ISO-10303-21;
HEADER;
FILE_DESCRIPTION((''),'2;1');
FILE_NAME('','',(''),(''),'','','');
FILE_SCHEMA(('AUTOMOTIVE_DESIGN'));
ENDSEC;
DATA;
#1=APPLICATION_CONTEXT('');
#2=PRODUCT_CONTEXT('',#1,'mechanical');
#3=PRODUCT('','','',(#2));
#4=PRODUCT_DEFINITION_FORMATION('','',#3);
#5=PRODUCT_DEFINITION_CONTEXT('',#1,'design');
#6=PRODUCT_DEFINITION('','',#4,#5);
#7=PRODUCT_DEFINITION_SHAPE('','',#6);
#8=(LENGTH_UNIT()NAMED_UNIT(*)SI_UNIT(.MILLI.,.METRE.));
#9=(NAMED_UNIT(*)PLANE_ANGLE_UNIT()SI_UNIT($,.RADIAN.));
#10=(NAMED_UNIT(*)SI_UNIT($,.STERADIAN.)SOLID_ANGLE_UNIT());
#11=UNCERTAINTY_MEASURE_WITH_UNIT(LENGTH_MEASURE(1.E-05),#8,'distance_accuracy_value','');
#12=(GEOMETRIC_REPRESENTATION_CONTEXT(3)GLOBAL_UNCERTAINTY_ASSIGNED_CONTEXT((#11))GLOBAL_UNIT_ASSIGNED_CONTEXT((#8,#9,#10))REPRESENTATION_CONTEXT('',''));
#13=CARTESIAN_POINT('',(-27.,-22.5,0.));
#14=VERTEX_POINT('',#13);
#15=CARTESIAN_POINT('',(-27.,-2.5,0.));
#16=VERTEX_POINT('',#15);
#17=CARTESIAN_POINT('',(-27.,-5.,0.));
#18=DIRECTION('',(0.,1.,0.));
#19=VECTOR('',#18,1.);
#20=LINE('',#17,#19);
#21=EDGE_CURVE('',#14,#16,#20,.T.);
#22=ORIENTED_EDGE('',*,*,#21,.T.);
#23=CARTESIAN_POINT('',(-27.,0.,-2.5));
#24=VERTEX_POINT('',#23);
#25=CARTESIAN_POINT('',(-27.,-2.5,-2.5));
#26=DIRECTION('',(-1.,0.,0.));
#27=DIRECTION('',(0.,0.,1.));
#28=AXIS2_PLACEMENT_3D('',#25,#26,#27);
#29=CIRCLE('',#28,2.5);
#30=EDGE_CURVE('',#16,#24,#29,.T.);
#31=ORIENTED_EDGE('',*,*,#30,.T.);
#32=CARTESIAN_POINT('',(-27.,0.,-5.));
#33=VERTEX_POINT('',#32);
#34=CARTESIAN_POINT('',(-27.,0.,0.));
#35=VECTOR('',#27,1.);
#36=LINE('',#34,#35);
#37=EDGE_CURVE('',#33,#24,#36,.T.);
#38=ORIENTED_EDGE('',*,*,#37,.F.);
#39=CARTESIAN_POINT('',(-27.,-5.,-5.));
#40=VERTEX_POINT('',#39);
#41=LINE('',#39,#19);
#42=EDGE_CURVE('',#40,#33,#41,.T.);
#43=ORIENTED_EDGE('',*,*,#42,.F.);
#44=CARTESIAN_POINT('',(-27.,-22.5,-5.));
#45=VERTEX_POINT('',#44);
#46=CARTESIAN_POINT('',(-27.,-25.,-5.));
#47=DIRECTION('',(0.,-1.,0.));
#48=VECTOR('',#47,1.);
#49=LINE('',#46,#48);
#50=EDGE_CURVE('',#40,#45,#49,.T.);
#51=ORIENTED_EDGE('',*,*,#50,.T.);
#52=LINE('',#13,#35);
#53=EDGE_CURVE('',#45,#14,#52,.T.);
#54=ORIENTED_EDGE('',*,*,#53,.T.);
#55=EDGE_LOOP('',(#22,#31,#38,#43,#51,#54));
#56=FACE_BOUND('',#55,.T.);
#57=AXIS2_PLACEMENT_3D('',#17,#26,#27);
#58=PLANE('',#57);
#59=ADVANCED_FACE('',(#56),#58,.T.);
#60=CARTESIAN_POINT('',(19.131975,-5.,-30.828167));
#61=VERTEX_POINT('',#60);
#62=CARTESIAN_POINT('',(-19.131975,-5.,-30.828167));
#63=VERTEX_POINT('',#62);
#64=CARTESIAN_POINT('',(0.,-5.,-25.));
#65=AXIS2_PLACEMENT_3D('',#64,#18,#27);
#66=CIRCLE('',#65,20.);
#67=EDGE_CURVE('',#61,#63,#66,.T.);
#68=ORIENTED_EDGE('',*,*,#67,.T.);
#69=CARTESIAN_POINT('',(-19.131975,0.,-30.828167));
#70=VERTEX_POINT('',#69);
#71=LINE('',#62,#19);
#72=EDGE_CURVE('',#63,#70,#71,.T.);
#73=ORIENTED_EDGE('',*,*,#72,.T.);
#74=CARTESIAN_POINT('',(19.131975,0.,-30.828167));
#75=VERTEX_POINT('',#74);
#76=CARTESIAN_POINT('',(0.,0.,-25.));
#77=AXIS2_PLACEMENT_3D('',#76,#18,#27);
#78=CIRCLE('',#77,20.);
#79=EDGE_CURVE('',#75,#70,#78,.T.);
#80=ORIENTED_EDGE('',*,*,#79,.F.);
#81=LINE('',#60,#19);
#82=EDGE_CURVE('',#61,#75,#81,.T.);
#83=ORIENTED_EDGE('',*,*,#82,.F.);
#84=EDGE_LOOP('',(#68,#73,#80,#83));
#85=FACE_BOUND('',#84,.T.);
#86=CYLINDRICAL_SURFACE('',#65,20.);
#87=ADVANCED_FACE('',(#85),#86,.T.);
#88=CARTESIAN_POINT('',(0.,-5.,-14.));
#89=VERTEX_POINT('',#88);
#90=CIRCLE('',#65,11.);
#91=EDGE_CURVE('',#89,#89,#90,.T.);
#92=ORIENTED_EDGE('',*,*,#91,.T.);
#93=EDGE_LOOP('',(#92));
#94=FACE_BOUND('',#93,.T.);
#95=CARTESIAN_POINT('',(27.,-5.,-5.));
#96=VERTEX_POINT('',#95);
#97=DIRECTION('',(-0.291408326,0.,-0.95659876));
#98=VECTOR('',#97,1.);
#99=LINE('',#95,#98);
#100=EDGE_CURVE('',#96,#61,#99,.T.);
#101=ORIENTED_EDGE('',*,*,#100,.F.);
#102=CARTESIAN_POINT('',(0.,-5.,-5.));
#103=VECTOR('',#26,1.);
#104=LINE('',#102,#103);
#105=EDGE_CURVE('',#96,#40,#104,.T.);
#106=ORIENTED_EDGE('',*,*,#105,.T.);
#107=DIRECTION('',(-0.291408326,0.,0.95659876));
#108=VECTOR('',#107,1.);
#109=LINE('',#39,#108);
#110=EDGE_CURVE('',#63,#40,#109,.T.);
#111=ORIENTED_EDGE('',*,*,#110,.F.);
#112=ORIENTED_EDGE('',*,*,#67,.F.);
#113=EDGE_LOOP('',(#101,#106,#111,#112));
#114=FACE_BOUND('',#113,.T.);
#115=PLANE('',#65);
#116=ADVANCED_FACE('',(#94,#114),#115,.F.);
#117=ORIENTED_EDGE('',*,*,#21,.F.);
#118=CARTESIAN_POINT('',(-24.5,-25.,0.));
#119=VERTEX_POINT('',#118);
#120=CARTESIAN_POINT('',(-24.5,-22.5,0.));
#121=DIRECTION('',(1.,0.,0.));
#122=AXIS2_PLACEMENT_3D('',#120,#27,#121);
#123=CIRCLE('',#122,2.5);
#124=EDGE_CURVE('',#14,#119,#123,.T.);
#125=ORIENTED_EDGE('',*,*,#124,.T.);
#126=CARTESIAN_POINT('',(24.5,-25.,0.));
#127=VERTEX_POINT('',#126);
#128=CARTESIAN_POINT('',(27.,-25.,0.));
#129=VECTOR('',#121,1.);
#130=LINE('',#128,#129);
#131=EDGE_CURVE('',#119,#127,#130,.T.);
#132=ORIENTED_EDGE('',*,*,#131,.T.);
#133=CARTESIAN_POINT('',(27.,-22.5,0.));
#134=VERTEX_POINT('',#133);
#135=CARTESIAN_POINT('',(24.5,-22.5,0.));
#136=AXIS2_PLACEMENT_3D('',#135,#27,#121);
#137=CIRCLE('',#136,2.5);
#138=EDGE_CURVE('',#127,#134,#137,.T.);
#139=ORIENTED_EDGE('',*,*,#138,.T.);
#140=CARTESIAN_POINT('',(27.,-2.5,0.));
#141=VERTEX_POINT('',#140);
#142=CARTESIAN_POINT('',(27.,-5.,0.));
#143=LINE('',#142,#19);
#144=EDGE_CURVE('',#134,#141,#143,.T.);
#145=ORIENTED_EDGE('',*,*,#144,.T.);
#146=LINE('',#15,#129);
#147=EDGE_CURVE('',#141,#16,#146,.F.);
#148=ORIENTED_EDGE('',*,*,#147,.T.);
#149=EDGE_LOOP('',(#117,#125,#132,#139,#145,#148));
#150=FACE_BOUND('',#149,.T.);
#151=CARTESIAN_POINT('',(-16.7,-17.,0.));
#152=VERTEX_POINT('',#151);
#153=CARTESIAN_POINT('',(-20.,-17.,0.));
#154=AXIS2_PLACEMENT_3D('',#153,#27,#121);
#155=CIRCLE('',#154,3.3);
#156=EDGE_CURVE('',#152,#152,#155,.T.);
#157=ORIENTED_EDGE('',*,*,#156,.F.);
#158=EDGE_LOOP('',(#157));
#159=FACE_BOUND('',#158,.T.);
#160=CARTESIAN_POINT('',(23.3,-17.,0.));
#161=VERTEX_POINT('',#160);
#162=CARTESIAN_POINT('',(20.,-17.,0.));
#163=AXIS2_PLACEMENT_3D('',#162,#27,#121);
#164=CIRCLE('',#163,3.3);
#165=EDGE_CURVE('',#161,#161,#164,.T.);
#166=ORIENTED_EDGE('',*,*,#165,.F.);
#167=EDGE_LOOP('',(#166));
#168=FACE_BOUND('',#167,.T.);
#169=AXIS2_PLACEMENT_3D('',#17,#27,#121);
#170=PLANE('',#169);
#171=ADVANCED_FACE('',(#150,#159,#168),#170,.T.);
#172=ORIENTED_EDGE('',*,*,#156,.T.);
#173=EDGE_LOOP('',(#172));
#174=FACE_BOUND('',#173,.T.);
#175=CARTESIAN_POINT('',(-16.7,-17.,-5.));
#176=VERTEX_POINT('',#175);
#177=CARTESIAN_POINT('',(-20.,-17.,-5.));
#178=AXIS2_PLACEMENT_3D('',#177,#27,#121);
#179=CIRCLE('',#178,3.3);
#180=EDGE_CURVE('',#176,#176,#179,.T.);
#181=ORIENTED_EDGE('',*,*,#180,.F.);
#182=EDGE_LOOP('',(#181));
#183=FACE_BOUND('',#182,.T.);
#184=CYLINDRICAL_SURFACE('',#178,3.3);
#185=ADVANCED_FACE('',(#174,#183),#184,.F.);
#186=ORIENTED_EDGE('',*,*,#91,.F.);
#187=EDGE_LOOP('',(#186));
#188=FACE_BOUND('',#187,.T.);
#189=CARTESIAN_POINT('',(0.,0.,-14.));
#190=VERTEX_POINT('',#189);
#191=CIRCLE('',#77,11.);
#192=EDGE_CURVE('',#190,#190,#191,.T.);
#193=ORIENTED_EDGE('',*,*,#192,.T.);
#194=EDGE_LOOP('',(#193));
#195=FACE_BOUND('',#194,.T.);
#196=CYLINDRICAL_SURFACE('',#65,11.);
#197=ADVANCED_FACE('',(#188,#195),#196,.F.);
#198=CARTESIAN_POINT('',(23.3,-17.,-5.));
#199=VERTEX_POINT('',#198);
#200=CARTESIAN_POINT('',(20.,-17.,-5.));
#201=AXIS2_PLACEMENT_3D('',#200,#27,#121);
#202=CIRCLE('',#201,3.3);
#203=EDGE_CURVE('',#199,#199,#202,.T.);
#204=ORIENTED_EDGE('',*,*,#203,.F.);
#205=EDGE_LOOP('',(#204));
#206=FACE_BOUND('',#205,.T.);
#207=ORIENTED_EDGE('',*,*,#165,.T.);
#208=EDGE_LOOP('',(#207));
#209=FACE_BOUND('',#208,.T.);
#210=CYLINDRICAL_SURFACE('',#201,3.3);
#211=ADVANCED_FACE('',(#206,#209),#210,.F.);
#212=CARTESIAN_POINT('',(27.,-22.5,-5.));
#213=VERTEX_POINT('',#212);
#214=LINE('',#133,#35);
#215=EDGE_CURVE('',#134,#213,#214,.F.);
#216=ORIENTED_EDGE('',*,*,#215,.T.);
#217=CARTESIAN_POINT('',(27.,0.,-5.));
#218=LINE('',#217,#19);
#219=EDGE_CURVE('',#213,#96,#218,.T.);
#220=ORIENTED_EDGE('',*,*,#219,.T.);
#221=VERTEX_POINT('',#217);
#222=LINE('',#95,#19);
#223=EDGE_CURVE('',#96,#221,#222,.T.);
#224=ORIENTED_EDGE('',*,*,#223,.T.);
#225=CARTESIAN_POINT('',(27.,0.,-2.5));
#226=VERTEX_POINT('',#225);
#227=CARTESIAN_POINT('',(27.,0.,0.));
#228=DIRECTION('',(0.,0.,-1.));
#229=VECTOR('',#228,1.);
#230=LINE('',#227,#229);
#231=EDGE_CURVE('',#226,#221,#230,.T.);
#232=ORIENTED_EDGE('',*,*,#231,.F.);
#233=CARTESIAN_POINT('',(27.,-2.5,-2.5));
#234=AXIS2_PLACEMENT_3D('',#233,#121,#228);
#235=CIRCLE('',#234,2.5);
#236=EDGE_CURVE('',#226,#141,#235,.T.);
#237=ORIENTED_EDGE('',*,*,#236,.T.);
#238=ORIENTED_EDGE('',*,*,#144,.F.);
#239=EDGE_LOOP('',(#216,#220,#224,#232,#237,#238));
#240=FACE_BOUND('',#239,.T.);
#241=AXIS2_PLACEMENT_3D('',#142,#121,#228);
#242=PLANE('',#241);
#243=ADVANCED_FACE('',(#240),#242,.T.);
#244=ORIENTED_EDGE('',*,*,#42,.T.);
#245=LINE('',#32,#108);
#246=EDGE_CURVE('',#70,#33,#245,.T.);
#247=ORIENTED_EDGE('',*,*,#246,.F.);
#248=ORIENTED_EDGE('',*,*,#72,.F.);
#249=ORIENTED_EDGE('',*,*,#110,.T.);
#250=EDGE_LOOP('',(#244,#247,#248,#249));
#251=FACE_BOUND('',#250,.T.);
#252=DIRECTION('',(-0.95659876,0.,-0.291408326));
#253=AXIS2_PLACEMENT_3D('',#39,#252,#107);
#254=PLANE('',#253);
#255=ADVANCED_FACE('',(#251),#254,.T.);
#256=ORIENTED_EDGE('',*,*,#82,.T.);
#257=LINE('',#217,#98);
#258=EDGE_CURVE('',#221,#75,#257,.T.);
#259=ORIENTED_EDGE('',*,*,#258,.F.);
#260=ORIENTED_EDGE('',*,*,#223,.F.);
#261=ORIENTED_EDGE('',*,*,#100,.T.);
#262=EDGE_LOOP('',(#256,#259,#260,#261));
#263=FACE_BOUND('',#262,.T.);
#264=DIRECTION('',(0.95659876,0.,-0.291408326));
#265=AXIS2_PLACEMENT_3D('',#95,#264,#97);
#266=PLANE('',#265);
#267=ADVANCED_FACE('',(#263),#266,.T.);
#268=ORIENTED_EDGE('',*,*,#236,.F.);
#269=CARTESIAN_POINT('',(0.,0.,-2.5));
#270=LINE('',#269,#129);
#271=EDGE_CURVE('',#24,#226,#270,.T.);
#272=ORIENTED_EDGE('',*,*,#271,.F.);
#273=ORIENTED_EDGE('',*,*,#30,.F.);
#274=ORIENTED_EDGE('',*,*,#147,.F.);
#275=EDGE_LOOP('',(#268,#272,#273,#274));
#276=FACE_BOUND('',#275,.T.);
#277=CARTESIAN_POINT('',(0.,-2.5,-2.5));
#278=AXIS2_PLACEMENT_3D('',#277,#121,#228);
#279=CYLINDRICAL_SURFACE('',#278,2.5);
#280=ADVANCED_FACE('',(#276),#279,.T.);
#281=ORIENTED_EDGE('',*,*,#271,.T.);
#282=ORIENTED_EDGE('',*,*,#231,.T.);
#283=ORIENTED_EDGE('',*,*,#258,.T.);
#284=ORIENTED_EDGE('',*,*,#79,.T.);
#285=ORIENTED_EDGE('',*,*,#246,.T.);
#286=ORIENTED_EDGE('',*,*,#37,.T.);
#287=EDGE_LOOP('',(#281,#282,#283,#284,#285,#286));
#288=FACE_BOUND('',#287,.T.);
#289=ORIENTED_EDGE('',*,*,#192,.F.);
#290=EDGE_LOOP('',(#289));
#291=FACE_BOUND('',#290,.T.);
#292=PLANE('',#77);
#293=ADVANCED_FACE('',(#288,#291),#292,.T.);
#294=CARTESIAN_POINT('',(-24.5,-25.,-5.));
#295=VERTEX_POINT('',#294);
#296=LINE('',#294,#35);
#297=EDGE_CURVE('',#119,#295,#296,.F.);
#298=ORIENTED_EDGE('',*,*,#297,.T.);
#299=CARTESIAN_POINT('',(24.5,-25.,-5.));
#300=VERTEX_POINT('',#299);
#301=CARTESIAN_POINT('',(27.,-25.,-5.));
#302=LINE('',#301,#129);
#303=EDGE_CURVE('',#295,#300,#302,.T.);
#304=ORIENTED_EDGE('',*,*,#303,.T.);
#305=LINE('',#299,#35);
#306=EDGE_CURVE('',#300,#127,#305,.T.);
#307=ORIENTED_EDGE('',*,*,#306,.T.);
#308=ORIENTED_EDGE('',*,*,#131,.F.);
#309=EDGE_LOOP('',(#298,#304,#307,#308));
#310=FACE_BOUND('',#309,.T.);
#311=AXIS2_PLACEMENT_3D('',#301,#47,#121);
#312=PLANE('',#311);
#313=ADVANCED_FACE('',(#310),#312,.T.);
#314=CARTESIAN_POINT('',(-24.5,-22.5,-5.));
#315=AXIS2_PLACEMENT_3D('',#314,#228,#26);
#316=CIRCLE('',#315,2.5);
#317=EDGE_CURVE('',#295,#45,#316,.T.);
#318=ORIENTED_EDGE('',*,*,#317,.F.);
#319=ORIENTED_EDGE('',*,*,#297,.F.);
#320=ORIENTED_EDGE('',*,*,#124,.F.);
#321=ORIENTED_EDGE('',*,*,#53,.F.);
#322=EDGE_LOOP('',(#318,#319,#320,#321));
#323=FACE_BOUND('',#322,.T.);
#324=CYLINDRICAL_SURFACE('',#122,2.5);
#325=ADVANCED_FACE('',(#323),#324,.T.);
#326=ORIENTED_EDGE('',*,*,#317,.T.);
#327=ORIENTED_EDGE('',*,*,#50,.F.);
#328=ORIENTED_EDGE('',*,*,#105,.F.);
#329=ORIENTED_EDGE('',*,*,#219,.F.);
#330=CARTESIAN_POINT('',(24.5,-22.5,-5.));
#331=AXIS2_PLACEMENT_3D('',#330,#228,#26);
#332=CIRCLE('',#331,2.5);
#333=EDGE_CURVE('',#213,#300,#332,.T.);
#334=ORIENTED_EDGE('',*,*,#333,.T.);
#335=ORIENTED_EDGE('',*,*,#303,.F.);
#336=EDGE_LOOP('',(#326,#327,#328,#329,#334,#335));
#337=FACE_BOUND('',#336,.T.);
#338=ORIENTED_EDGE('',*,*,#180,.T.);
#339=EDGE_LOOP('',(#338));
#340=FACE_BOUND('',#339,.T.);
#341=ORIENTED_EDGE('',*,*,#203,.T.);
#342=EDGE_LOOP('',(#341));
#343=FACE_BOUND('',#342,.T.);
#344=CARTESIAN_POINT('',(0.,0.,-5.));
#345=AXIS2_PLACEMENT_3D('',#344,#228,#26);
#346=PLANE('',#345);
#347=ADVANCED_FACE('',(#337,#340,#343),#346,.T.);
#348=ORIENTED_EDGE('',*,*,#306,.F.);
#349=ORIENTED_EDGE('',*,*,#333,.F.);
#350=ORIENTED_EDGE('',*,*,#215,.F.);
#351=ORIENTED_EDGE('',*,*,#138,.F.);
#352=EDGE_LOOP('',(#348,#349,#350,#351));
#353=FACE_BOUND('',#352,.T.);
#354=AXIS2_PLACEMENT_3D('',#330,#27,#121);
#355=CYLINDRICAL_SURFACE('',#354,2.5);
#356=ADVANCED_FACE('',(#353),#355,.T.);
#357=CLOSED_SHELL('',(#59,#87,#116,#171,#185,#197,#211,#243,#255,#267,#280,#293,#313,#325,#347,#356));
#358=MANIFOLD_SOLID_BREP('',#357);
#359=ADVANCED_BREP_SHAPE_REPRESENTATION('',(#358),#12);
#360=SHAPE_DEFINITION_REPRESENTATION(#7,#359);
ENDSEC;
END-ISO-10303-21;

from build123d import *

# Parameters (mm, degrees)
CROQUIS1_R              = 11
SALIENTE_EXTRUIR1_DEPTH = 5
CROQUIS2_W              = 54
CROQUIS2_H              = 25
CROQUIS2_R              = 3.3
SALIENTE_EXTRUIR2_DEPTH = 5
REDONDEO1_R             = 2.5
REDONDEO2_R             = 2.5


with BuildPart() as part:
    # Croquis1 → Saliente-Extruir1 (new body)
    with BuildSketch(Plane(origin=(0, 0, 0), x_dir=(1, 0, 0), z_dir=(0, 1, 0))):
        with BuildLine():
            Line((-27, 0), (27, 0))
            Line((27, 0), (27, 5))
            Line((27, 5), (19.131975199, 30.828166519))
            ThreePointArc((19.131975199, 30.828166519), (0, 45), (-19.131975199, 30.828166519))
            Line((-19.131975199, 30.828166519), (-27, 5))
            Line((-27, 5), (-27, 0))
        make_face()
        with Locations(Location((0, 25, 0), (0, 0, 270))):
            Circle(CROQUIS1_R, mode=Mode.SUBTRACT)
    extrude(amount=-SALIENTE_EXTRUIR1_DEPTH)

    # Croquis2 → Saliente-Extruir2 (add)
    with BuildSketch(Plane.XY):
        with Locations((0, -12.5)):
            Rectangle(CROQUIS2_W, CROQUIS2_H)
        with Locations((20, -17)):
            Circle(CROQUIS2_R, mode=Mode.SUBTRACT)
        with Locations((-20, -17)):
            Circle(CROQUIS2_R, mode=Mode.SUBTRACT)
    extrude(amount=-SALIENTE_EXTRUIR2_DEPTH)

    # Redondeo1
    redondeo1_edges = [part.edges().sort_by_distance(p)[0] for p in [
        (0, 0, 0),
    ]]
    fillet(redondeo1_edges, radius=REDONDEO1_R)

    # Redondeo2
    redondeo2_edges = [part.edges().sort_by_distance(p)[0] for p in [
        (-27, -25, -2.5),
        (27, -25, -2.5),
    ]]
    fillet(redondeo2_edges, radius=REDONDEO2_R)


solid = part.part
